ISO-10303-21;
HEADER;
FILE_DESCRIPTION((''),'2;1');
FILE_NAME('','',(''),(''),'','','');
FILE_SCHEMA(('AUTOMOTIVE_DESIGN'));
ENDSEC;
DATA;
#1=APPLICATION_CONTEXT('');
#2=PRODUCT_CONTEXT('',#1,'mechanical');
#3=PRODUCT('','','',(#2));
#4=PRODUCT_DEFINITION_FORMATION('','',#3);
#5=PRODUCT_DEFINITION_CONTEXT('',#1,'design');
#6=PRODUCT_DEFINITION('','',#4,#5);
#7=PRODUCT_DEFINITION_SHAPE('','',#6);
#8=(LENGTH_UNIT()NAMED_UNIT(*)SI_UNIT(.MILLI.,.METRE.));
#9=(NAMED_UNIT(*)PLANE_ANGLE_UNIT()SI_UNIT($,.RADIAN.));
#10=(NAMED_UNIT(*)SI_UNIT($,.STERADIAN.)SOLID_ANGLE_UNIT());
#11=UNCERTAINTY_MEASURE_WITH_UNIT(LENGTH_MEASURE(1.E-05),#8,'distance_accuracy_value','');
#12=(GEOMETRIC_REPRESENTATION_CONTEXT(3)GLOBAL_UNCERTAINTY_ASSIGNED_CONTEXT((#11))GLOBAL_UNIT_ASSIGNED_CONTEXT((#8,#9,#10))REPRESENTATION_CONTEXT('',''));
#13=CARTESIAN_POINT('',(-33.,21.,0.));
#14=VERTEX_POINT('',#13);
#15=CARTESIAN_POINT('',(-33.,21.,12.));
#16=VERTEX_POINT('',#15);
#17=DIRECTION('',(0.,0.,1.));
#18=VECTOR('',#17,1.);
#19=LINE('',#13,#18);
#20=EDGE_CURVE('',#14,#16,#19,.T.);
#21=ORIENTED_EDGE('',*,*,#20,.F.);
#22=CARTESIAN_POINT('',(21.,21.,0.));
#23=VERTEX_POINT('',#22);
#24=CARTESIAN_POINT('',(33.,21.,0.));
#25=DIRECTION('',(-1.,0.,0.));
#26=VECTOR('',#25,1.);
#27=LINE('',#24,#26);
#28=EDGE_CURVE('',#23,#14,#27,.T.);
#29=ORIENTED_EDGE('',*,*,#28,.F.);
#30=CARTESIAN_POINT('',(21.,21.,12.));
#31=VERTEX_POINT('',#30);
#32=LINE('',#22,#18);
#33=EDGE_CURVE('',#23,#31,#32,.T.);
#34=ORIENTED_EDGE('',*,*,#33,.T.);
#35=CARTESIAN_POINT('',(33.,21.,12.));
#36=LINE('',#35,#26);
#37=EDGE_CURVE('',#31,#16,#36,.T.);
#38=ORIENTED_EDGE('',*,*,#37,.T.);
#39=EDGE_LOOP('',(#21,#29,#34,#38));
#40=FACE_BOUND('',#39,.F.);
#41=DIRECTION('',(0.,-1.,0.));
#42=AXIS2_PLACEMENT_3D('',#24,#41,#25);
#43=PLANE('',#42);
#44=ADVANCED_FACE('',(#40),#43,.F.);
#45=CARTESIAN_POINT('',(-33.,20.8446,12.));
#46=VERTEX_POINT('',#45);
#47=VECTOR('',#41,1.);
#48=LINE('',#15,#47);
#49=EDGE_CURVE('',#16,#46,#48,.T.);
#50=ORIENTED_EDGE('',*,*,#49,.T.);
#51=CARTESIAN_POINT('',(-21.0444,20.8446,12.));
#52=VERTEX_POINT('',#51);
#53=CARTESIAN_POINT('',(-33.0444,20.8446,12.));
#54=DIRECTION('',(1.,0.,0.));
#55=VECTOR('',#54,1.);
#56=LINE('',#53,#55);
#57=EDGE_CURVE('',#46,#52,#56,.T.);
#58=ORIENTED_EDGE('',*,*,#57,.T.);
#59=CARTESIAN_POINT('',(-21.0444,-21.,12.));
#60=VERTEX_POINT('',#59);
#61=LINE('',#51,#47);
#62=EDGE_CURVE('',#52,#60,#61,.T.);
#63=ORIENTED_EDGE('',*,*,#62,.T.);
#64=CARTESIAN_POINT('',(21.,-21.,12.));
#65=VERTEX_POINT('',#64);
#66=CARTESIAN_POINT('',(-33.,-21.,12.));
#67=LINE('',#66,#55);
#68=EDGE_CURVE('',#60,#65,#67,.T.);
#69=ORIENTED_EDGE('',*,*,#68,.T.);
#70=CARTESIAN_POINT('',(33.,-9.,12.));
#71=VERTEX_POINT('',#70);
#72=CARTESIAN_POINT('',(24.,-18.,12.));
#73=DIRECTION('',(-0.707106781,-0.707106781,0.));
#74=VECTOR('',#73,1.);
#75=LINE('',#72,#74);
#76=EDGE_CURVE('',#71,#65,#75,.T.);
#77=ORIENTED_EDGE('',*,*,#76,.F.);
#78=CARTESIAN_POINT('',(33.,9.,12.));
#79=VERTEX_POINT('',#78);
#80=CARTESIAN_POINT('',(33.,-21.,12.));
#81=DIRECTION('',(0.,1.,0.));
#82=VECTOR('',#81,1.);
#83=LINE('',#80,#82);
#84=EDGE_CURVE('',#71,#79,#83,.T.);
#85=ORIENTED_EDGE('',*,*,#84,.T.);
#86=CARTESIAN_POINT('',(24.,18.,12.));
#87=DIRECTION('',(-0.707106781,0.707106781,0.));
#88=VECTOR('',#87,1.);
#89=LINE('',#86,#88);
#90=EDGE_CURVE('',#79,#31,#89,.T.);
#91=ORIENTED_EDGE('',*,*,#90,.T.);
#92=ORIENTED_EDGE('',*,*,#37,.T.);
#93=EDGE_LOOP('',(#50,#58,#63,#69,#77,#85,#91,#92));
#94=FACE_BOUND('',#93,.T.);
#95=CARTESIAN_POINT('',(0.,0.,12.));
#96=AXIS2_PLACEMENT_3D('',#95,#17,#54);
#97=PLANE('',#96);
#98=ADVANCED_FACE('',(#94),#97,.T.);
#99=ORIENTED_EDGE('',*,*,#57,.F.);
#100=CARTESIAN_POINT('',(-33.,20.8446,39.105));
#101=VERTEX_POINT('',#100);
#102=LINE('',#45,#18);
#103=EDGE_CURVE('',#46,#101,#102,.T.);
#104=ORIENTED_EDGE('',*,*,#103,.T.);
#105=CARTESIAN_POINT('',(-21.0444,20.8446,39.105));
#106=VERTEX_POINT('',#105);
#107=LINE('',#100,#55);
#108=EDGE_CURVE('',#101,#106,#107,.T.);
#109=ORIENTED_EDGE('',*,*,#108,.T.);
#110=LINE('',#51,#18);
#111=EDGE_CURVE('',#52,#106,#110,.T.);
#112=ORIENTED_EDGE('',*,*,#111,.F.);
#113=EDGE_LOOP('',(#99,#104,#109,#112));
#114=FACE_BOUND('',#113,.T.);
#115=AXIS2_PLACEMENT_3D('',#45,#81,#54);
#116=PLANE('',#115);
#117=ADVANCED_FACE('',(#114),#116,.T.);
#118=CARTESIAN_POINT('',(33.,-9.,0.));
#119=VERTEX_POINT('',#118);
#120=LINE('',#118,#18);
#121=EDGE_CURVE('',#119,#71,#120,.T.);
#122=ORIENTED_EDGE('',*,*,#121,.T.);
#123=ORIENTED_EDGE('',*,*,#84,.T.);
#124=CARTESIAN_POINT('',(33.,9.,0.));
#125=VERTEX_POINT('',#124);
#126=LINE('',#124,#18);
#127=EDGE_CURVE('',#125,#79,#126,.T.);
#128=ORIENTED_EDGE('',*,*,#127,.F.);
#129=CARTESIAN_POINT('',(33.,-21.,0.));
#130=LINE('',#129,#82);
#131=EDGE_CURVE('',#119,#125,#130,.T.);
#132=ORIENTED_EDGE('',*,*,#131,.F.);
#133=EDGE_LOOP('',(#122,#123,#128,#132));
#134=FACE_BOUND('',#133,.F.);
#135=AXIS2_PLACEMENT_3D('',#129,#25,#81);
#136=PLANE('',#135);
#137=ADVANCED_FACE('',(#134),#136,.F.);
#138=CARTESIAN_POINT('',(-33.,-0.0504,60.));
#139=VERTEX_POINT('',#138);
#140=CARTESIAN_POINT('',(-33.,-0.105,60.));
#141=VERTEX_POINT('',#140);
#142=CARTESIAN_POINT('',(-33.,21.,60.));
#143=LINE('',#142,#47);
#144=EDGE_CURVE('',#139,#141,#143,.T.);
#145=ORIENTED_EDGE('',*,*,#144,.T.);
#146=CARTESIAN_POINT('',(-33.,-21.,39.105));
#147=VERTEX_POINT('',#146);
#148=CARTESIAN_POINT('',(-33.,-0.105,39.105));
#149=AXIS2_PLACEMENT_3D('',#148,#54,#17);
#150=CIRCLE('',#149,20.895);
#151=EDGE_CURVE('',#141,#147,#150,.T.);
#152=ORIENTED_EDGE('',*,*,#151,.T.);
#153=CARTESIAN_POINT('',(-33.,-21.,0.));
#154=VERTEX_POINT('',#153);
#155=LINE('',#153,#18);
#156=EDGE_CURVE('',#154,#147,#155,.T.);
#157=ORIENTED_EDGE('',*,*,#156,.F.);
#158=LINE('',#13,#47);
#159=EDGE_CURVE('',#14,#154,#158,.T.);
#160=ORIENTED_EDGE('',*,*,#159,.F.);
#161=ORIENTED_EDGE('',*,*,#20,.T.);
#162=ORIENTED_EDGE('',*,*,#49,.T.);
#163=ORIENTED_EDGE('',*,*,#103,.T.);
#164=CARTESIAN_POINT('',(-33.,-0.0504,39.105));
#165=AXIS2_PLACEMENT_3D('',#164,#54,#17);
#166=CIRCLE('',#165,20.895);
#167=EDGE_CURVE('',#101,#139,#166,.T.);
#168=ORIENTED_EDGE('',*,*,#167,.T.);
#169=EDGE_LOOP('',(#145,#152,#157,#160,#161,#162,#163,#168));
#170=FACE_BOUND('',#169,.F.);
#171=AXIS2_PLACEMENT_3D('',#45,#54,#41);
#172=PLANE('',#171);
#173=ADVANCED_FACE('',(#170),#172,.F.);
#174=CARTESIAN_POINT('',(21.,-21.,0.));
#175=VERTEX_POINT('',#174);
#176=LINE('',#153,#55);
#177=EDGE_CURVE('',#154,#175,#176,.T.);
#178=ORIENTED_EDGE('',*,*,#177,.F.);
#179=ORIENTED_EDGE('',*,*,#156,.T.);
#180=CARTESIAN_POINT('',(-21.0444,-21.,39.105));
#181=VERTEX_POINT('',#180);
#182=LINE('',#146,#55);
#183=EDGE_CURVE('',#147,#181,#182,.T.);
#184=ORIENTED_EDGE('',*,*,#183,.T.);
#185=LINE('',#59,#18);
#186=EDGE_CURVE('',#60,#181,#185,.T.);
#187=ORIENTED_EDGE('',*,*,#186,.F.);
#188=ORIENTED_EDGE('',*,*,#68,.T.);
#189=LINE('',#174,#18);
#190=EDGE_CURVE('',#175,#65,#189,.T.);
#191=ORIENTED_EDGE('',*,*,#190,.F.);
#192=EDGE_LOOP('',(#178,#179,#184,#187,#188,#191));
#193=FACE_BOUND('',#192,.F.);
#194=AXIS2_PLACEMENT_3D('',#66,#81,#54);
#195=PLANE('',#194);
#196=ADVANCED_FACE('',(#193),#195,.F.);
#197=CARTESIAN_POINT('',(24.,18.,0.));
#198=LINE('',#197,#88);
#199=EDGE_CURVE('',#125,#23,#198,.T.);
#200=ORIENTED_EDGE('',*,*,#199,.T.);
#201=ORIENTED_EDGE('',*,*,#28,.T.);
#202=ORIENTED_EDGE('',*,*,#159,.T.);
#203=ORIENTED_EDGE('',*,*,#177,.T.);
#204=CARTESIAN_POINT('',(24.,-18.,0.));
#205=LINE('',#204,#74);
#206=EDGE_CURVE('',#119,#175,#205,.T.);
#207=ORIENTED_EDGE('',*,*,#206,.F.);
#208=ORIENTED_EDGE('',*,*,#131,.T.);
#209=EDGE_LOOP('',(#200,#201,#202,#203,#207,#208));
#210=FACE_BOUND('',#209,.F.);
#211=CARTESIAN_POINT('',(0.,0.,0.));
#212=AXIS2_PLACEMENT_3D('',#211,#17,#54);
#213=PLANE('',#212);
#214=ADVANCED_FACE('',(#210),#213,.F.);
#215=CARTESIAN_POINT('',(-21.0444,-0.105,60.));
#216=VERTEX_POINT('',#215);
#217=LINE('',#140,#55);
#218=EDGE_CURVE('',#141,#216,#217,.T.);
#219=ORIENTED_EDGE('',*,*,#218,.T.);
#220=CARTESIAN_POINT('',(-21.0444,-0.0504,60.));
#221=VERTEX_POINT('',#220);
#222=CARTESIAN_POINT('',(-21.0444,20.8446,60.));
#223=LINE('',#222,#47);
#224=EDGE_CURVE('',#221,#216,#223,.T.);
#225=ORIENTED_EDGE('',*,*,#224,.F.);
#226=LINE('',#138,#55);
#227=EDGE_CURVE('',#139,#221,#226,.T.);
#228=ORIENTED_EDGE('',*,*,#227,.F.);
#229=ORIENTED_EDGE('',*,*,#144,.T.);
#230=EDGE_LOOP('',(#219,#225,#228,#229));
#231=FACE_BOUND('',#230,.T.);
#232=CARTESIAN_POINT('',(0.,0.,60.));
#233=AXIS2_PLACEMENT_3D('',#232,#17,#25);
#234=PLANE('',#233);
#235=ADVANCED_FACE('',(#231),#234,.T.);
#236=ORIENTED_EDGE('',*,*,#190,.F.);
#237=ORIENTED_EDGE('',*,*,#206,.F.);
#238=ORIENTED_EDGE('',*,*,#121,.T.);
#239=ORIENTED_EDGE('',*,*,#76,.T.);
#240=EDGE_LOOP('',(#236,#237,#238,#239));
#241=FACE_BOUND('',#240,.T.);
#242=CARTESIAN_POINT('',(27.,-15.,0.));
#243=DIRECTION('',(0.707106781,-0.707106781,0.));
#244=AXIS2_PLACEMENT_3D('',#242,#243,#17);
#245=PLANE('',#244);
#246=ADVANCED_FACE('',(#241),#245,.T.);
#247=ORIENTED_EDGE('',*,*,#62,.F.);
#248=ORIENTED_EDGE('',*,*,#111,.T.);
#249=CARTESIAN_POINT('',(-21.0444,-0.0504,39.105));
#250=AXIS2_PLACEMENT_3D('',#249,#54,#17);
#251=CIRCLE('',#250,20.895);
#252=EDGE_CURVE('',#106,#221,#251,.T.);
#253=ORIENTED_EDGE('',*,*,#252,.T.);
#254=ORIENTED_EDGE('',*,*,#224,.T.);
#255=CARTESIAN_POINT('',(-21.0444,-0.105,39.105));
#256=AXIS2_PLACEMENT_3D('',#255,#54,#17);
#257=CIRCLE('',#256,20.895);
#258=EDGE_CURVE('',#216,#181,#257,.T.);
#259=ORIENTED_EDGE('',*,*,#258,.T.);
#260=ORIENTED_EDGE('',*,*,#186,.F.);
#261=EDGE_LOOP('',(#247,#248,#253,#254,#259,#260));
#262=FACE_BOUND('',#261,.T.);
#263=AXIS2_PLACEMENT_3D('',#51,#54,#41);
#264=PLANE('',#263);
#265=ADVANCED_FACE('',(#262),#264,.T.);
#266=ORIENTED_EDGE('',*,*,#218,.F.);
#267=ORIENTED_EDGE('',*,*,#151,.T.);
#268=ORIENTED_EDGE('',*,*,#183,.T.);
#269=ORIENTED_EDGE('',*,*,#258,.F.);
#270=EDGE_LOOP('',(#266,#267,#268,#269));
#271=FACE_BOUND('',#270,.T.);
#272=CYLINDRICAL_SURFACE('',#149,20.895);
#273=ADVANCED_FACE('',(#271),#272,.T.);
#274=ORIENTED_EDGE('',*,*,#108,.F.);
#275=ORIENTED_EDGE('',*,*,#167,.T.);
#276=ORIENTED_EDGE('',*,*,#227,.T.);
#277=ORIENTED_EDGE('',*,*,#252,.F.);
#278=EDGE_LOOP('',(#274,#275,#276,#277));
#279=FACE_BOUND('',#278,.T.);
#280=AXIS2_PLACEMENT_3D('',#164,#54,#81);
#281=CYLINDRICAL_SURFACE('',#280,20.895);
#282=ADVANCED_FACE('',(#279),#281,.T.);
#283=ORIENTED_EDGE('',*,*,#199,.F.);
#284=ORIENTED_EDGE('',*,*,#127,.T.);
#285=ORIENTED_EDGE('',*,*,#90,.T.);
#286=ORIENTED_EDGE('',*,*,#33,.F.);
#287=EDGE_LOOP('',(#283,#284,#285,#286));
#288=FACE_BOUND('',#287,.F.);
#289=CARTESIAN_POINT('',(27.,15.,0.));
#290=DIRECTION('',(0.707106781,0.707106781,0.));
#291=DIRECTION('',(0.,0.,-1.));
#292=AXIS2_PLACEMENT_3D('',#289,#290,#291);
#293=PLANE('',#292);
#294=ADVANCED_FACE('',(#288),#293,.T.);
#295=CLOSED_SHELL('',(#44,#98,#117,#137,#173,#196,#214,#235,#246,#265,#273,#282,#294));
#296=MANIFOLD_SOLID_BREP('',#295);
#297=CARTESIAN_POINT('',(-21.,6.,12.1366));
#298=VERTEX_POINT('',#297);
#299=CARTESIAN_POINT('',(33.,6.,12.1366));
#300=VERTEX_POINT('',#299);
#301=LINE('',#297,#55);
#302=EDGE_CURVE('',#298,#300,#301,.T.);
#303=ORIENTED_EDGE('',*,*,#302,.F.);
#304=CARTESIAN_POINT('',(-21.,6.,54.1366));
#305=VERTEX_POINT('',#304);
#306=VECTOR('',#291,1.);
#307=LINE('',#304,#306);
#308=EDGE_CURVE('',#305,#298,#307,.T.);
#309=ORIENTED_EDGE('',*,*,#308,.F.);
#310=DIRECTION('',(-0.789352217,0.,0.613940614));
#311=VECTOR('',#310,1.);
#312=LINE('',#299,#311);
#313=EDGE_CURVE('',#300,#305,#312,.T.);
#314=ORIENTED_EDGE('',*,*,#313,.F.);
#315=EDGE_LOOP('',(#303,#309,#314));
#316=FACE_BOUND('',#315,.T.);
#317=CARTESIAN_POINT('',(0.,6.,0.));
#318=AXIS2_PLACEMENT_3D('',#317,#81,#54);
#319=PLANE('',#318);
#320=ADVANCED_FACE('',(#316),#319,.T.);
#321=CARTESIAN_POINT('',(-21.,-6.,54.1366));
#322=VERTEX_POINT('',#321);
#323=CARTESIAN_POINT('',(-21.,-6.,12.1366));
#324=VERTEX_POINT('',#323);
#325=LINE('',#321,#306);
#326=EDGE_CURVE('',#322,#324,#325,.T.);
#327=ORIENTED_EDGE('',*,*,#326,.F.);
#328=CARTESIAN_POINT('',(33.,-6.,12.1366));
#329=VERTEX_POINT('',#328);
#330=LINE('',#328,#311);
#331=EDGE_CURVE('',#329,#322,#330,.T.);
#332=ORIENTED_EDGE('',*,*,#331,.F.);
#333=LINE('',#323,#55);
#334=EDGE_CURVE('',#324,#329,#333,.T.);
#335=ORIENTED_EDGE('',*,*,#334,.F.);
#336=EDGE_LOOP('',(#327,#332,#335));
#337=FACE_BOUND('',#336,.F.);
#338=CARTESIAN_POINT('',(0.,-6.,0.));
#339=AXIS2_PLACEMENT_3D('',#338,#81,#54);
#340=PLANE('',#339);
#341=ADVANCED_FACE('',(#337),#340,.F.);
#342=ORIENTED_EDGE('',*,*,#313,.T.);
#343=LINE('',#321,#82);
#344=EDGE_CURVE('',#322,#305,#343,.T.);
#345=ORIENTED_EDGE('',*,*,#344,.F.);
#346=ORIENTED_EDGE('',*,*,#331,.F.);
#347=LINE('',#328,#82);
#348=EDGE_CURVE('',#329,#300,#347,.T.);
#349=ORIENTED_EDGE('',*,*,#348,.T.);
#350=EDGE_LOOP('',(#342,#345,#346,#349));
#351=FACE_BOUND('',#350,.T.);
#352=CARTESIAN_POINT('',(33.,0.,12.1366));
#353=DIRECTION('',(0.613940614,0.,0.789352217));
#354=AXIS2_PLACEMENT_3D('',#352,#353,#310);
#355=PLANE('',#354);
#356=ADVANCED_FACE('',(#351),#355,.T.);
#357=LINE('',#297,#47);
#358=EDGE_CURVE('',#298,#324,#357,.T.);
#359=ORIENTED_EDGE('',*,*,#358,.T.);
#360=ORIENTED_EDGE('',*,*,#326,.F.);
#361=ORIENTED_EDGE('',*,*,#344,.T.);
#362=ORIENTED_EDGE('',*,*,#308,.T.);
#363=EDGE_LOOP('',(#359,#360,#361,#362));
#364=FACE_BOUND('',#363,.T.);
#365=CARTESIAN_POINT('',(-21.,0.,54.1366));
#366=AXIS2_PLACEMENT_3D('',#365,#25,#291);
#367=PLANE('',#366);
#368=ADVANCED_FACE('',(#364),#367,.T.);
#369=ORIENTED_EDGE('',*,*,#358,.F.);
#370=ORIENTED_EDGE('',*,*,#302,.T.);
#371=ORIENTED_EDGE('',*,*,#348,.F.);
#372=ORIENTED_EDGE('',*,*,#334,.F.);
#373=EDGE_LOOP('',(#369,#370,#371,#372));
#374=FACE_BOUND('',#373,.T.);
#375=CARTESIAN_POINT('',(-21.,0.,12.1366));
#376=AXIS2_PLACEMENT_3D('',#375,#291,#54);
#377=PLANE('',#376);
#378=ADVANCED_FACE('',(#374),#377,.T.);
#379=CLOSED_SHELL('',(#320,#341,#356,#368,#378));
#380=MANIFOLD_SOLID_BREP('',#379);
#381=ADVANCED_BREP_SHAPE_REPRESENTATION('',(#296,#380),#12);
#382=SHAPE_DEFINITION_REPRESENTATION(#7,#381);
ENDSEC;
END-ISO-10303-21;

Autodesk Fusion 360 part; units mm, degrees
sketch "Sketch1" plane through (0, 0, 0) normal (0, 0, 1) x (1, 0, 0)
  line L0 (33, 21) -> (-33, 21)
  line L1 (-33, 21) -> (-33, -21)
  line L2 (-33, -21) -> (33, -21)
  line L3 (33, -21) -> (33, 21)
  line L4 (33, 21) -> (-33, -21) construction
  line L5 (-33, 21) -> (33, -21) construction
  dimension "d1" = 66
  dimension "d2" = 42
extrude "Extrude1" add sketch "Sketch1" along normal blind 12 makes body 1
chamfer "Chamfer1" distance 12 angle 45 2 edges at (33, -21, 6) (33, 21, 6) on bodies 1
sketch "Sketch2" plane through (0, 0, 12) normal (0, 0, 1) x (-1, 0, 0)
  line L0 (-33, -9) -> (-21, -21)
  line L1 (-21, -21) -> (33, -21)
  line L2 (33, -21) -> (33, 21)
  line L3 (33, 21) -> (-21, 21)
  line L4 (-21, 21) -> (-33, 9)
  line L5 (-33, 9) -> (-33, -9)
  line L6 (33.0444, -20.8446) -> (21.0444, -20.8446)
  line L7 (21.0444, -20.8446) -> (21.0444, 21)
  line L8 (21.0444, 21) -> (33.0444, 21)
  line L9 (33.0444, 21) -> (33.0444, -20.8446)
  dimension "d6" = 12
extrude "Extrude2" add sketch "Sketch2" along normal blind 48 contours L2 L3 L6 L7 L8 bodies 1
fillet "Fillet1" radius 21 2 edges at (-27.0222, -21, 60) (-27.0222, 20.8446, 60) on bodies 1
sketch "Sketch3" plane through (0, 0, 0) normal (0, 1, 0) x (1, 0, 0)
  line L0 (-21, -54.1366) -> (-21, -12.1366)
  line L1 (-21, -12.1366) -> (33, -12.1366)
  line L2 (33, -12.1366) -> (-21, -54.1366)
  dimension "d11" = 42
  dimension "d12" = 54
extrude "Extrude3" add sketch "Sketch3" along normal mid plane 12 separate body makes body 2
equation "d7 = 60 mm - 12 mm"
equation "d12 = 66 mm - 12 mm"
